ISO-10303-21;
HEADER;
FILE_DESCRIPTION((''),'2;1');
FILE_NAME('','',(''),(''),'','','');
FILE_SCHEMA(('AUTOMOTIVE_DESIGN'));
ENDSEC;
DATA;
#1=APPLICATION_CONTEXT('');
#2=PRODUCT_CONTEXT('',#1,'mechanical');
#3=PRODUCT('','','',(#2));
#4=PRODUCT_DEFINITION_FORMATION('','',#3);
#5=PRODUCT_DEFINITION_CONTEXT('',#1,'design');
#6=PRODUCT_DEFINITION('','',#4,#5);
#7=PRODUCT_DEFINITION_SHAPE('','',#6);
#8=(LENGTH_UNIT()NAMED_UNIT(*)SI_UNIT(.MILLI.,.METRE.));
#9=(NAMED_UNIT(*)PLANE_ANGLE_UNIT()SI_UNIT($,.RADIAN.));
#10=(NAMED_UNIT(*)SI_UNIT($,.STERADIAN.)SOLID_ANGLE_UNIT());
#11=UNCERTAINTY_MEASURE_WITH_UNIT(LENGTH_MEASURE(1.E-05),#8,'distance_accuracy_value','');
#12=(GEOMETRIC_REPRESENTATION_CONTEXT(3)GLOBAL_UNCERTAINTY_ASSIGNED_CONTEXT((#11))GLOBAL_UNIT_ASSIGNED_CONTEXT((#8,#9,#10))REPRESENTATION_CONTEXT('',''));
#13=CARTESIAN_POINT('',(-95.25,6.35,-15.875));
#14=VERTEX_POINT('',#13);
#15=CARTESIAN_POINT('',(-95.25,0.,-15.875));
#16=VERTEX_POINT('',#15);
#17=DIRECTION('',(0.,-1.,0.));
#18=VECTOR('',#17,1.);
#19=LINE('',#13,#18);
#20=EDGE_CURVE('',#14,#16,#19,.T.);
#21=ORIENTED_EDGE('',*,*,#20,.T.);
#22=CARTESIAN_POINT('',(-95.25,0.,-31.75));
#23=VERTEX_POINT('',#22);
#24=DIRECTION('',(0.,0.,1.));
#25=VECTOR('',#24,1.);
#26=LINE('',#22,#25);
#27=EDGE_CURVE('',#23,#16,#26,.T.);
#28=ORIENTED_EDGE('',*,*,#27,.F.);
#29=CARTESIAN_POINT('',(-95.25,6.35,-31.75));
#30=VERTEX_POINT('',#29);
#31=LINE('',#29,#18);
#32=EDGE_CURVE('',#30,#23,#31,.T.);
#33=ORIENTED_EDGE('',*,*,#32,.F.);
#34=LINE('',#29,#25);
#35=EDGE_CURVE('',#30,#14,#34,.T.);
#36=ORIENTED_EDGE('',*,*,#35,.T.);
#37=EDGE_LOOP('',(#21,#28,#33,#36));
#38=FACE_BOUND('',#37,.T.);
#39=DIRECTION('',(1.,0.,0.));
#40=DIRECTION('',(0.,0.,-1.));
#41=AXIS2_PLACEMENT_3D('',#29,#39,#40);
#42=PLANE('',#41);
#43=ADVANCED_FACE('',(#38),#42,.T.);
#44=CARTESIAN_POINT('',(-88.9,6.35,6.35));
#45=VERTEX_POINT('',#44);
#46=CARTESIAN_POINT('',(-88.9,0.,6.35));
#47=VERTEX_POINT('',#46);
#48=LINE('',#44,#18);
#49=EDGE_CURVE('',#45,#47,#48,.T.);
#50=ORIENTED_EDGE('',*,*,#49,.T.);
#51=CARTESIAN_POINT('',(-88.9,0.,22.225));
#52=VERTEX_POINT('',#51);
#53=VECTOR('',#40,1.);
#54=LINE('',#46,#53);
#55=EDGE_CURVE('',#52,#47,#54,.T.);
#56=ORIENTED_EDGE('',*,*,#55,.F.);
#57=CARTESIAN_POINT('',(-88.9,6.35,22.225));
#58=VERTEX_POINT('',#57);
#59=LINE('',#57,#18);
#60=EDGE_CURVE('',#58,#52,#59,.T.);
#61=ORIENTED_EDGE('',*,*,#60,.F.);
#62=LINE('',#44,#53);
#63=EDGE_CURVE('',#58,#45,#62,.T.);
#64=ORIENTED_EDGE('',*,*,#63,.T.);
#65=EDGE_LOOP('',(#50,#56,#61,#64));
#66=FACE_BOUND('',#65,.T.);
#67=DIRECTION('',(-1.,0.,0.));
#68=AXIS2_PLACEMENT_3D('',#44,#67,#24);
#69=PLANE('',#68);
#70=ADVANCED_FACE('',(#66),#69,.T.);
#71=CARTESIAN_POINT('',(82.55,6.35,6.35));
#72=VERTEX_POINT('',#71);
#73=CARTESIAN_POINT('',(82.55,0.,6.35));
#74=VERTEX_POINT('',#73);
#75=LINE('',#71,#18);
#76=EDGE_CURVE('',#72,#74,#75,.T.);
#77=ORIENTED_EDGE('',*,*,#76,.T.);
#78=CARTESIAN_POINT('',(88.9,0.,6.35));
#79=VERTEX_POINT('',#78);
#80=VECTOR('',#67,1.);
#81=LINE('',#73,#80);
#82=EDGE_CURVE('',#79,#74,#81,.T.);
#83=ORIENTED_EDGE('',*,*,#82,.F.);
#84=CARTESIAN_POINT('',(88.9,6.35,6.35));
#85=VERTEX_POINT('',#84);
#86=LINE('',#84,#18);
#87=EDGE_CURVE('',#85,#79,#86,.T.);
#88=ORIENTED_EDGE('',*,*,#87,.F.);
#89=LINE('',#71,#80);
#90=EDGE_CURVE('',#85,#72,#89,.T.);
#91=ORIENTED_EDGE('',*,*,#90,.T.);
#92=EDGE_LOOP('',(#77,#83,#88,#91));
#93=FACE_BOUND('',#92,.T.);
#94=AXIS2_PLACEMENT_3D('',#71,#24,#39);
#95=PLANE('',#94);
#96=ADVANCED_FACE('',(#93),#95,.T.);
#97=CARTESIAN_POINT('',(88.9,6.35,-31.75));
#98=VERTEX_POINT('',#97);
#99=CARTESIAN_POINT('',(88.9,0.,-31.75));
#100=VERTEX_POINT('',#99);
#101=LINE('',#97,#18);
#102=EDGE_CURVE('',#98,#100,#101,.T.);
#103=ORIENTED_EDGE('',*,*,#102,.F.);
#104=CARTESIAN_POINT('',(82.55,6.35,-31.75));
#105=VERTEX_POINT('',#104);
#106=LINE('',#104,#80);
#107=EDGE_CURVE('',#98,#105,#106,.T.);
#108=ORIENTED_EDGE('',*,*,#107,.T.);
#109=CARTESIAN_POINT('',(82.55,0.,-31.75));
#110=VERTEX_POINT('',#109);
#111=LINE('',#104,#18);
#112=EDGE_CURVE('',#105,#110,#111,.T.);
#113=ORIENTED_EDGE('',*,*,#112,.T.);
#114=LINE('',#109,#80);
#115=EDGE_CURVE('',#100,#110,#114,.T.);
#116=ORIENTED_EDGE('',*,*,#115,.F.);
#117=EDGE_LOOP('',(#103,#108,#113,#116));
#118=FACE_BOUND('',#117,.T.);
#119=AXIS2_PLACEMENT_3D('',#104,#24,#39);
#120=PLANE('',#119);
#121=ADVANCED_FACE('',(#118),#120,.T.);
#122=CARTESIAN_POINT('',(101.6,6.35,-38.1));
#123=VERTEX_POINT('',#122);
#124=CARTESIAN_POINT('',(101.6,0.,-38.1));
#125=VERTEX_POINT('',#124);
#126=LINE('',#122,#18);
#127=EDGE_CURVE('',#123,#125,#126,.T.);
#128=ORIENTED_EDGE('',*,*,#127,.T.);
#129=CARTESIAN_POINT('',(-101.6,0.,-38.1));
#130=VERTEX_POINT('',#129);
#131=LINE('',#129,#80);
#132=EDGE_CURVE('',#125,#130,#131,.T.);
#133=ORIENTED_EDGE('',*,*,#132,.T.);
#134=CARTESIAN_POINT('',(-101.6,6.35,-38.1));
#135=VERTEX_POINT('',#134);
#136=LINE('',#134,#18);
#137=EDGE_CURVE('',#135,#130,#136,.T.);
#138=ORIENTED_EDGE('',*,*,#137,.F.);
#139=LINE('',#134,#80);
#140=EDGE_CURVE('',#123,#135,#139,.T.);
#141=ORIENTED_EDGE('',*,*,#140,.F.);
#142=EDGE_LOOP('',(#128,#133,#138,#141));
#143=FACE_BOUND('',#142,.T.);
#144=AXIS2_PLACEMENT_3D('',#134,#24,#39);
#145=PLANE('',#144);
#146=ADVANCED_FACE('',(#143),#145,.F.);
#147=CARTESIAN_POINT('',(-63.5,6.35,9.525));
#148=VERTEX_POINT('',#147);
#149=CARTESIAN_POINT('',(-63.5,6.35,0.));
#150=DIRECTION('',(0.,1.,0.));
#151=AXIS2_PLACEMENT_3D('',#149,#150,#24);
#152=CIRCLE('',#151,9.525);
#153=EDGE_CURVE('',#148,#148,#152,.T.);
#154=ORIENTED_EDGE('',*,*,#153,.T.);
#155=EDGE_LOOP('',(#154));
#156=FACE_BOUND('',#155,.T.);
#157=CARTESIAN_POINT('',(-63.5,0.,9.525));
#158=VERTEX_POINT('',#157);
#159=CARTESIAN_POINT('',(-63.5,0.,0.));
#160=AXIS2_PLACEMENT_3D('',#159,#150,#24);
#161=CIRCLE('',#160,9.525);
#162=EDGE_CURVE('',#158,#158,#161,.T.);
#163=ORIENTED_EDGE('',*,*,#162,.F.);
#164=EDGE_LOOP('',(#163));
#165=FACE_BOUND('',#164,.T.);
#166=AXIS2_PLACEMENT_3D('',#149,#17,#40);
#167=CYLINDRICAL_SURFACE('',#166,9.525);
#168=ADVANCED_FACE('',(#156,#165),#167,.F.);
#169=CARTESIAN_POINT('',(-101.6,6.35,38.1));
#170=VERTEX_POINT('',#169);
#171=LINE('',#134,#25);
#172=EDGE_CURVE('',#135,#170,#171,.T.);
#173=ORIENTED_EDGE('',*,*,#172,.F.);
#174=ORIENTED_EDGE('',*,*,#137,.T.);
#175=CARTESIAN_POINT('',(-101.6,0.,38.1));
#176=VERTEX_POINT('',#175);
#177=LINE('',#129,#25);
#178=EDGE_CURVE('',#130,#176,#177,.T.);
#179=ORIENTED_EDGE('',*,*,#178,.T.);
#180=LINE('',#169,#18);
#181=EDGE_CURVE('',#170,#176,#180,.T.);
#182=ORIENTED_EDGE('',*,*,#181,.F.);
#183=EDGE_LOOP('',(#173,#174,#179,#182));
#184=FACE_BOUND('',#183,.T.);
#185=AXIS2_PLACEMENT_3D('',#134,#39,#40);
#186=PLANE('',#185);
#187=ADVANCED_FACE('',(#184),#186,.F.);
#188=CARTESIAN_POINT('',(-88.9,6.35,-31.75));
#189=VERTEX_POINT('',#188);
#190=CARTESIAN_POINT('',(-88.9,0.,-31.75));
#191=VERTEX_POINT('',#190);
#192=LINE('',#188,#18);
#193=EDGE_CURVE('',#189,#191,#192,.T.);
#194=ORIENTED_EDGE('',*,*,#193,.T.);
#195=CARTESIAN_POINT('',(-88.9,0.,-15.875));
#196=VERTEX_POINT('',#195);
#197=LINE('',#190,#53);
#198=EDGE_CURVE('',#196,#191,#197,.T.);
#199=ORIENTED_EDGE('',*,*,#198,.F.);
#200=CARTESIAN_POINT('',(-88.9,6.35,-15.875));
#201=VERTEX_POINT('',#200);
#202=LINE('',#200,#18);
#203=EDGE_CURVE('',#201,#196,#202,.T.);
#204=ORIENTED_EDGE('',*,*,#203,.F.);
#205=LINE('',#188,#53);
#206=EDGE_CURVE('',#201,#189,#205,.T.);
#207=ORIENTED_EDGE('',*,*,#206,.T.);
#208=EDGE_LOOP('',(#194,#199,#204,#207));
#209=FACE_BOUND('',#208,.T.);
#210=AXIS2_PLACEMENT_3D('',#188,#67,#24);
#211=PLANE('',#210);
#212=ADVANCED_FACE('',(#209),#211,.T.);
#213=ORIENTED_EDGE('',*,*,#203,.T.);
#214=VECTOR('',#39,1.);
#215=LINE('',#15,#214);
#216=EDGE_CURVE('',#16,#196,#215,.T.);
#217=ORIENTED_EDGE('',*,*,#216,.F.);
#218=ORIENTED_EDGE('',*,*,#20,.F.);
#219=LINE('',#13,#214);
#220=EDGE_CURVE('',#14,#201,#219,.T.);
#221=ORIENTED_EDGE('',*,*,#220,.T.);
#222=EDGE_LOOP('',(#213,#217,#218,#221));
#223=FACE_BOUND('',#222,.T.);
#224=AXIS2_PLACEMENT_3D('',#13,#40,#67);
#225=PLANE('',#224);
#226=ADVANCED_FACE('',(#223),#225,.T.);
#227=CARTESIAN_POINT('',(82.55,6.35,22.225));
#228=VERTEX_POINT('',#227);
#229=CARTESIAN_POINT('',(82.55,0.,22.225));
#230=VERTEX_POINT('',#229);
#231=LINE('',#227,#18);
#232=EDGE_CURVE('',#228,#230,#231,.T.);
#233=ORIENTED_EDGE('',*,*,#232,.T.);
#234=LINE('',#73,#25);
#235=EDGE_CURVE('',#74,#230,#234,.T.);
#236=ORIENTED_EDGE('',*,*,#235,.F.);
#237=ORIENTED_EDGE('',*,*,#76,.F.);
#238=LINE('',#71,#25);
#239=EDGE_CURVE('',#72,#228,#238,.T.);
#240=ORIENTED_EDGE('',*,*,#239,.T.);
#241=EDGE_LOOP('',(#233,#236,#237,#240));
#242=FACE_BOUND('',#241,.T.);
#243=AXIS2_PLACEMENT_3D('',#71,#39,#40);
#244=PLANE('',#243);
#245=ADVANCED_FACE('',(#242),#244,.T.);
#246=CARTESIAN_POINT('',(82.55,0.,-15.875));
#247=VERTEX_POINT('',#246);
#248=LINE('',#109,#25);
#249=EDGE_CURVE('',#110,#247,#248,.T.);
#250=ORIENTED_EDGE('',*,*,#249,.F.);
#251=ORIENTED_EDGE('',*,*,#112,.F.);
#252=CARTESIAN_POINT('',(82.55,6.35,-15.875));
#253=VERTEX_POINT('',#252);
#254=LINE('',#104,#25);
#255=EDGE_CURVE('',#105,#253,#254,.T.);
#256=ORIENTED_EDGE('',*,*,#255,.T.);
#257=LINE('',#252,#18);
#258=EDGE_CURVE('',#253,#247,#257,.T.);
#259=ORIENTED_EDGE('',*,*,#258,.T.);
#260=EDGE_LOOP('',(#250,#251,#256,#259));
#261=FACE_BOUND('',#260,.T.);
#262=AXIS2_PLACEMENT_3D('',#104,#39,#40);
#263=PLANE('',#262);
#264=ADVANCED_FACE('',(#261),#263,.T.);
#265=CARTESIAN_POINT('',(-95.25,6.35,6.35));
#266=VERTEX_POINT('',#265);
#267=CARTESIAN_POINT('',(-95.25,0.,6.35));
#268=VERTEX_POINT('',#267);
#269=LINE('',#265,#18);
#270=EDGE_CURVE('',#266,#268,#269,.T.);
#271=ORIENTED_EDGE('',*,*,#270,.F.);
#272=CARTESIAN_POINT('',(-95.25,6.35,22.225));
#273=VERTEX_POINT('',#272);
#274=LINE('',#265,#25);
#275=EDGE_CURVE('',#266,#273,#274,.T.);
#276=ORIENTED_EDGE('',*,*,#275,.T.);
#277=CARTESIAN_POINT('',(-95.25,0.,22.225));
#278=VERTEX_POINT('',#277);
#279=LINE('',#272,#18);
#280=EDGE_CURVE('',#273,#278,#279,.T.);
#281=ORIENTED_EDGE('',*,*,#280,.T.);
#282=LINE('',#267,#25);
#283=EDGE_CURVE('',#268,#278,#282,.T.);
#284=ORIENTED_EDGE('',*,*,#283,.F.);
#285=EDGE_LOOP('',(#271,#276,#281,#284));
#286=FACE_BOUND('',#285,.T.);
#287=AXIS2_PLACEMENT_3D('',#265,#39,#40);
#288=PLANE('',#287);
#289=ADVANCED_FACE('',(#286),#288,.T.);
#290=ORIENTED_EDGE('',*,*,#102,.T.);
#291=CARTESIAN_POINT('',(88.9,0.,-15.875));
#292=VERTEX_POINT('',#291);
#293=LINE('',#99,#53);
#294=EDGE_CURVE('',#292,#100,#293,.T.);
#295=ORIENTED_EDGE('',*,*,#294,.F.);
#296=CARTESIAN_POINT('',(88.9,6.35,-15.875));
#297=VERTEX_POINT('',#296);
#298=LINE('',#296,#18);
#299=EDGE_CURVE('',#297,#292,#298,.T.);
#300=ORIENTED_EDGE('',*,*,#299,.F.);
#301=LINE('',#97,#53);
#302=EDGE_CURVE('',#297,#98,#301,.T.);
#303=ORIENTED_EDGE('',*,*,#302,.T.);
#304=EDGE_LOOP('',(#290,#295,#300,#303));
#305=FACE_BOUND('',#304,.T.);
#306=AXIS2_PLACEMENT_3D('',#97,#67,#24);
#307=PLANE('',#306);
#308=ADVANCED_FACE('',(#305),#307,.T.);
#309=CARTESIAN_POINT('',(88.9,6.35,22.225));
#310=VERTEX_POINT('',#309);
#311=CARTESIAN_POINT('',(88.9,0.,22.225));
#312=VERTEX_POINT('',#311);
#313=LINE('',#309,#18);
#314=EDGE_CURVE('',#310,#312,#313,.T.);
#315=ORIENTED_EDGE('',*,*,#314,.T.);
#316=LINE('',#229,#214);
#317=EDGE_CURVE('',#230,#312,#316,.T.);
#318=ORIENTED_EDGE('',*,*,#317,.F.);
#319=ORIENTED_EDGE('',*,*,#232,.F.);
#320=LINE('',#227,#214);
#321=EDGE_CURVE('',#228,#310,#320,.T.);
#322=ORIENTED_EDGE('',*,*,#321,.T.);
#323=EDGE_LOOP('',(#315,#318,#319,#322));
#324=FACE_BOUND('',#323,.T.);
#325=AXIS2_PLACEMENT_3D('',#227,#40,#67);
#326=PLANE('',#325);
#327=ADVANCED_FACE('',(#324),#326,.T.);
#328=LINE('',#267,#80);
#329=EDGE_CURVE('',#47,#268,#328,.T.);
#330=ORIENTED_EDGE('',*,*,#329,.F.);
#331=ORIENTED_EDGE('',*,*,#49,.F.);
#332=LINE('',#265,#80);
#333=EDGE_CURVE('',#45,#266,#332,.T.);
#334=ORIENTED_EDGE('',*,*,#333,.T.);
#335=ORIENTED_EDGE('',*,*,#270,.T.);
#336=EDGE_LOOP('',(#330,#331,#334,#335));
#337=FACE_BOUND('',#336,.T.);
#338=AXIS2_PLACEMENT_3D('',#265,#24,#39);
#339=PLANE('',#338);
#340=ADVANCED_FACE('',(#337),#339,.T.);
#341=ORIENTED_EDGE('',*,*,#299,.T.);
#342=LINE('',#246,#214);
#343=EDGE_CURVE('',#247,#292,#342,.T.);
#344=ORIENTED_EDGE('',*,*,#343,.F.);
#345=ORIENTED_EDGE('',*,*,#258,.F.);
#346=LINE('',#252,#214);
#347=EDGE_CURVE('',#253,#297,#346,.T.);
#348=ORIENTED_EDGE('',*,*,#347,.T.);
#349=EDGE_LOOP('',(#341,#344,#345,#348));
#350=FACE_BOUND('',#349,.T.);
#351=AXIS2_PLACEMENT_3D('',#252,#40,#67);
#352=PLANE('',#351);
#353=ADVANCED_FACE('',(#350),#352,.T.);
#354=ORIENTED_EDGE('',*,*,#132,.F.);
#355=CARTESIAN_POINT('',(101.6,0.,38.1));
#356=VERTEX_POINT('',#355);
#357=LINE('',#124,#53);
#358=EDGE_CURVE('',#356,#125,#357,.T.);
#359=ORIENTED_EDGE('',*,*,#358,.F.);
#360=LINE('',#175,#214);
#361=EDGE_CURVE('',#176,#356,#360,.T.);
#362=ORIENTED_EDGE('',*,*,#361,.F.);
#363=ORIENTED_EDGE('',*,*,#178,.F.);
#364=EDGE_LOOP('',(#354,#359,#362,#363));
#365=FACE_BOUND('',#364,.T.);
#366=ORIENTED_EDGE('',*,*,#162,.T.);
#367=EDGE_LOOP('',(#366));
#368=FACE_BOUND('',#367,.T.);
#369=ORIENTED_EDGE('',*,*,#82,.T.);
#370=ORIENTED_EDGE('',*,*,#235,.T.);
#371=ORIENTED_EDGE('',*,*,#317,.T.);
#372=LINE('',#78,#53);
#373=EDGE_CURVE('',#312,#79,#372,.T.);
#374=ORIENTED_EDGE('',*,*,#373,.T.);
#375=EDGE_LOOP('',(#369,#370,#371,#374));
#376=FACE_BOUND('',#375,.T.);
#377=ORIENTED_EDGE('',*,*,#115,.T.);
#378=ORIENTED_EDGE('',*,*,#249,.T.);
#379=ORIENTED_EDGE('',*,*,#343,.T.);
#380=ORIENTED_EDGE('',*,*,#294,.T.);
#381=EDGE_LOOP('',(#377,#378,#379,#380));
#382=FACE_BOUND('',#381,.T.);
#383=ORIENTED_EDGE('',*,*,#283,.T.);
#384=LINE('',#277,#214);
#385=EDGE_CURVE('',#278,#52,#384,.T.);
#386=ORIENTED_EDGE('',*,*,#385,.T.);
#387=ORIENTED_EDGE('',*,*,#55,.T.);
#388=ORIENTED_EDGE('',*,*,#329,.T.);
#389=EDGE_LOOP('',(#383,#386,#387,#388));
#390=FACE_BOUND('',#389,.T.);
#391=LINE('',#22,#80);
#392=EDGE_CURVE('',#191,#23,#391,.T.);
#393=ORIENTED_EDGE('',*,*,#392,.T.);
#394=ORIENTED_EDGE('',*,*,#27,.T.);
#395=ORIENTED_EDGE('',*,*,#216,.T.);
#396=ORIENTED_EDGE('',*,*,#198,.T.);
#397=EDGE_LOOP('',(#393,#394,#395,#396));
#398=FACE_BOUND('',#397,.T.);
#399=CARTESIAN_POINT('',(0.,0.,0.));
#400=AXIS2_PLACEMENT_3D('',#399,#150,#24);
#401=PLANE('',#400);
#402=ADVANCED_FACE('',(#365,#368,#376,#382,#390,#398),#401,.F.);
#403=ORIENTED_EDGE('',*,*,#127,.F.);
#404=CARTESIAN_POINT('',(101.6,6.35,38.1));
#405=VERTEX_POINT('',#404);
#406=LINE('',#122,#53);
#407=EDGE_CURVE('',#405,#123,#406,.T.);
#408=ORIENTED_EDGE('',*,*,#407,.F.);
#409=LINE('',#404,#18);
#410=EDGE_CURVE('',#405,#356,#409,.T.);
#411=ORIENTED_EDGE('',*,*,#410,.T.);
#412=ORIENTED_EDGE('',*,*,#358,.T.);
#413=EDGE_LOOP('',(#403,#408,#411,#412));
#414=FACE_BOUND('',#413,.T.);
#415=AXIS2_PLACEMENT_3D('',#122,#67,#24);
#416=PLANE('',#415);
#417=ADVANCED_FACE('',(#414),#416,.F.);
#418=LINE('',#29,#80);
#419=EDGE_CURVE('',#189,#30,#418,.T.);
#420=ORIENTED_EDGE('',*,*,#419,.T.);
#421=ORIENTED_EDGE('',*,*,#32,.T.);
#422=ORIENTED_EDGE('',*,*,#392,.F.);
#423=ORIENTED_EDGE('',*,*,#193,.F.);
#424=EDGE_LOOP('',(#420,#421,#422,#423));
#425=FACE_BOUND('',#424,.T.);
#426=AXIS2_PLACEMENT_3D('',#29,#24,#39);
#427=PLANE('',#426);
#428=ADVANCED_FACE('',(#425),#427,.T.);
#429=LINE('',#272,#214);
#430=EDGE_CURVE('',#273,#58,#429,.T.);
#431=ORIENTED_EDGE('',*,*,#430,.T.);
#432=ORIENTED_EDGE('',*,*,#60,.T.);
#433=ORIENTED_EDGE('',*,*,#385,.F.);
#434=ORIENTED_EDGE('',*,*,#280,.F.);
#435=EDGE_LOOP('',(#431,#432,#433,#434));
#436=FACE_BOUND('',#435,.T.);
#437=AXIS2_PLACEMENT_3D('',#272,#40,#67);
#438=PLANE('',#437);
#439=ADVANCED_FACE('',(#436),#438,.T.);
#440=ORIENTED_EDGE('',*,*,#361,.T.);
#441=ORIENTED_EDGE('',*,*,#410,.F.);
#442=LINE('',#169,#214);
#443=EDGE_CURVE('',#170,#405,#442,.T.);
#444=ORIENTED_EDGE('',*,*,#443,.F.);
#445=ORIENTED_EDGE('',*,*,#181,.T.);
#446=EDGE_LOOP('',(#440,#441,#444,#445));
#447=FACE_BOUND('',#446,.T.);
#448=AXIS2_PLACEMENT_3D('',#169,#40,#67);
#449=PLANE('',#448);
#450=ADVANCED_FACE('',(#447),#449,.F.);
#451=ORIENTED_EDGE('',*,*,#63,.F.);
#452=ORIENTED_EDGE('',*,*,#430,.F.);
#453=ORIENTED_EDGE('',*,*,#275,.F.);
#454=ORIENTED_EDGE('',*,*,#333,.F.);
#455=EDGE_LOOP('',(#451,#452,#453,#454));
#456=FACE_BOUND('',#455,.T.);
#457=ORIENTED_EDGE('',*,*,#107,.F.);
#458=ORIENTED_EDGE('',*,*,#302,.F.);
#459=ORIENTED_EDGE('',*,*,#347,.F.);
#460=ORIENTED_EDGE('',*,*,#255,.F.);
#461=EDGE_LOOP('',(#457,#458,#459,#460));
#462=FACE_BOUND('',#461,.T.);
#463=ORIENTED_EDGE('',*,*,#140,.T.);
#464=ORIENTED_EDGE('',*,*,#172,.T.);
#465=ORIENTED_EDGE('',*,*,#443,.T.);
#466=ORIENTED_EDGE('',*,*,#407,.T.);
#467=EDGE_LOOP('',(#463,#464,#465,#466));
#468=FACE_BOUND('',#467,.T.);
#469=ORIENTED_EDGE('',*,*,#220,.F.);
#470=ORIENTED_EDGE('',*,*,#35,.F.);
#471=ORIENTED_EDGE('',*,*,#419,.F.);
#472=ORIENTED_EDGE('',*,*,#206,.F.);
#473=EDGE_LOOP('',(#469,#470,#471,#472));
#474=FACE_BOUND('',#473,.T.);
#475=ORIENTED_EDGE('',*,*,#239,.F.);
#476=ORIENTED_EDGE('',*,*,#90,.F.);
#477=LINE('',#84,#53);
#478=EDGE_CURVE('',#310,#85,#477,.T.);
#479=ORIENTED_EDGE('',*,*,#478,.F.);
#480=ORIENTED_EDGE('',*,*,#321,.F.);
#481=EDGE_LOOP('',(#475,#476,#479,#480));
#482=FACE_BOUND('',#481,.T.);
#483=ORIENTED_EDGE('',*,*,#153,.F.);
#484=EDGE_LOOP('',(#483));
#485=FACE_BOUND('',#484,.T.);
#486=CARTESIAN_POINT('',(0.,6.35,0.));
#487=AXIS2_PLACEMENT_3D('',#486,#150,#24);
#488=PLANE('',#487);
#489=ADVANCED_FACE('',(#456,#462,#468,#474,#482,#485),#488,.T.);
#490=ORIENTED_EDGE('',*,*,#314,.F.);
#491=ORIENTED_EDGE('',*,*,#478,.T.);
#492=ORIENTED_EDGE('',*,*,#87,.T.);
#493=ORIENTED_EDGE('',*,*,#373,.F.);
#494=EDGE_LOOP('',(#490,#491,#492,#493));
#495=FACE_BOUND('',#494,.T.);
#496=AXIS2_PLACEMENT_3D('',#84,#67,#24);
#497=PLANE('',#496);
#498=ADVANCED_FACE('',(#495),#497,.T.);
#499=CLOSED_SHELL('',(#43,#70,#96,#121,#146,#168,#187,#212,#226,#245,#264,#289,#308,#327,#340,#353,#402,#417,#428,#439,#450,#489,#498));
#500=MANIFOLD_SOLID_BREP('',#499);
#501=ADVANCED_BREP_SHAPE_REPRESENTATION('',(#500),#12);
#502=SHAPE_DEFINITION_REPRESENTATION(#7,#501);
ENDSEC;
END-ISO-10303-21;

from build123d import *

# Parameters (mm, degrees)
SKETCH1_W           = 203.2
SKETCH1_H           = 76.2
SKETCH1_R           = 9.525
SKETCH1_W_2         = 6.35
SKETCH1_H_2         = 15.875
BOSS_EXTRUDE1_DEPTH = 6.35


with BuildPart() as part:
    # Sketch1 → Boss-Extrude1 (new body)
    with BuildSketch(Plane(origin=(0, 0, 0), x_dir=(1, 0, 0), z_dir=(0, 1, 0))):
        Rectangle(SKETCH1_W, SKETCH1_H)
        with Locations(Location((-63.5, 0, 0), (0, 0, 270))):
            Circle(SKETCH1_R, mode=Mode.SUBTRACT)
        with Locations((-92.075, -14.2875)):
            Rectangle(SKETCH1_W_2, SKETCH1_H_2, mode=Mode.SUBTRACT)
        with Locations((-92.075, 23.8125)):
            Rectangle(SKETCH1_W_2, SKETCH1_H_2, mode=Mode.SUBTRACT)
        with Locations((85.725, 23.8125)):
            Rectangle(SKETCH1_W_2, SKETCH1_H_2, mode=Mode.SUBTRACT)
        with Locations((85.725, -14.2875)):
            Rectangle(SKETCH1_W_2, SKETCH1_H_2, mode=Mode.SUBTRACT)
    extrude(amount=BOSS_EXTRUDE1_DEPTH)


solid = part.part
